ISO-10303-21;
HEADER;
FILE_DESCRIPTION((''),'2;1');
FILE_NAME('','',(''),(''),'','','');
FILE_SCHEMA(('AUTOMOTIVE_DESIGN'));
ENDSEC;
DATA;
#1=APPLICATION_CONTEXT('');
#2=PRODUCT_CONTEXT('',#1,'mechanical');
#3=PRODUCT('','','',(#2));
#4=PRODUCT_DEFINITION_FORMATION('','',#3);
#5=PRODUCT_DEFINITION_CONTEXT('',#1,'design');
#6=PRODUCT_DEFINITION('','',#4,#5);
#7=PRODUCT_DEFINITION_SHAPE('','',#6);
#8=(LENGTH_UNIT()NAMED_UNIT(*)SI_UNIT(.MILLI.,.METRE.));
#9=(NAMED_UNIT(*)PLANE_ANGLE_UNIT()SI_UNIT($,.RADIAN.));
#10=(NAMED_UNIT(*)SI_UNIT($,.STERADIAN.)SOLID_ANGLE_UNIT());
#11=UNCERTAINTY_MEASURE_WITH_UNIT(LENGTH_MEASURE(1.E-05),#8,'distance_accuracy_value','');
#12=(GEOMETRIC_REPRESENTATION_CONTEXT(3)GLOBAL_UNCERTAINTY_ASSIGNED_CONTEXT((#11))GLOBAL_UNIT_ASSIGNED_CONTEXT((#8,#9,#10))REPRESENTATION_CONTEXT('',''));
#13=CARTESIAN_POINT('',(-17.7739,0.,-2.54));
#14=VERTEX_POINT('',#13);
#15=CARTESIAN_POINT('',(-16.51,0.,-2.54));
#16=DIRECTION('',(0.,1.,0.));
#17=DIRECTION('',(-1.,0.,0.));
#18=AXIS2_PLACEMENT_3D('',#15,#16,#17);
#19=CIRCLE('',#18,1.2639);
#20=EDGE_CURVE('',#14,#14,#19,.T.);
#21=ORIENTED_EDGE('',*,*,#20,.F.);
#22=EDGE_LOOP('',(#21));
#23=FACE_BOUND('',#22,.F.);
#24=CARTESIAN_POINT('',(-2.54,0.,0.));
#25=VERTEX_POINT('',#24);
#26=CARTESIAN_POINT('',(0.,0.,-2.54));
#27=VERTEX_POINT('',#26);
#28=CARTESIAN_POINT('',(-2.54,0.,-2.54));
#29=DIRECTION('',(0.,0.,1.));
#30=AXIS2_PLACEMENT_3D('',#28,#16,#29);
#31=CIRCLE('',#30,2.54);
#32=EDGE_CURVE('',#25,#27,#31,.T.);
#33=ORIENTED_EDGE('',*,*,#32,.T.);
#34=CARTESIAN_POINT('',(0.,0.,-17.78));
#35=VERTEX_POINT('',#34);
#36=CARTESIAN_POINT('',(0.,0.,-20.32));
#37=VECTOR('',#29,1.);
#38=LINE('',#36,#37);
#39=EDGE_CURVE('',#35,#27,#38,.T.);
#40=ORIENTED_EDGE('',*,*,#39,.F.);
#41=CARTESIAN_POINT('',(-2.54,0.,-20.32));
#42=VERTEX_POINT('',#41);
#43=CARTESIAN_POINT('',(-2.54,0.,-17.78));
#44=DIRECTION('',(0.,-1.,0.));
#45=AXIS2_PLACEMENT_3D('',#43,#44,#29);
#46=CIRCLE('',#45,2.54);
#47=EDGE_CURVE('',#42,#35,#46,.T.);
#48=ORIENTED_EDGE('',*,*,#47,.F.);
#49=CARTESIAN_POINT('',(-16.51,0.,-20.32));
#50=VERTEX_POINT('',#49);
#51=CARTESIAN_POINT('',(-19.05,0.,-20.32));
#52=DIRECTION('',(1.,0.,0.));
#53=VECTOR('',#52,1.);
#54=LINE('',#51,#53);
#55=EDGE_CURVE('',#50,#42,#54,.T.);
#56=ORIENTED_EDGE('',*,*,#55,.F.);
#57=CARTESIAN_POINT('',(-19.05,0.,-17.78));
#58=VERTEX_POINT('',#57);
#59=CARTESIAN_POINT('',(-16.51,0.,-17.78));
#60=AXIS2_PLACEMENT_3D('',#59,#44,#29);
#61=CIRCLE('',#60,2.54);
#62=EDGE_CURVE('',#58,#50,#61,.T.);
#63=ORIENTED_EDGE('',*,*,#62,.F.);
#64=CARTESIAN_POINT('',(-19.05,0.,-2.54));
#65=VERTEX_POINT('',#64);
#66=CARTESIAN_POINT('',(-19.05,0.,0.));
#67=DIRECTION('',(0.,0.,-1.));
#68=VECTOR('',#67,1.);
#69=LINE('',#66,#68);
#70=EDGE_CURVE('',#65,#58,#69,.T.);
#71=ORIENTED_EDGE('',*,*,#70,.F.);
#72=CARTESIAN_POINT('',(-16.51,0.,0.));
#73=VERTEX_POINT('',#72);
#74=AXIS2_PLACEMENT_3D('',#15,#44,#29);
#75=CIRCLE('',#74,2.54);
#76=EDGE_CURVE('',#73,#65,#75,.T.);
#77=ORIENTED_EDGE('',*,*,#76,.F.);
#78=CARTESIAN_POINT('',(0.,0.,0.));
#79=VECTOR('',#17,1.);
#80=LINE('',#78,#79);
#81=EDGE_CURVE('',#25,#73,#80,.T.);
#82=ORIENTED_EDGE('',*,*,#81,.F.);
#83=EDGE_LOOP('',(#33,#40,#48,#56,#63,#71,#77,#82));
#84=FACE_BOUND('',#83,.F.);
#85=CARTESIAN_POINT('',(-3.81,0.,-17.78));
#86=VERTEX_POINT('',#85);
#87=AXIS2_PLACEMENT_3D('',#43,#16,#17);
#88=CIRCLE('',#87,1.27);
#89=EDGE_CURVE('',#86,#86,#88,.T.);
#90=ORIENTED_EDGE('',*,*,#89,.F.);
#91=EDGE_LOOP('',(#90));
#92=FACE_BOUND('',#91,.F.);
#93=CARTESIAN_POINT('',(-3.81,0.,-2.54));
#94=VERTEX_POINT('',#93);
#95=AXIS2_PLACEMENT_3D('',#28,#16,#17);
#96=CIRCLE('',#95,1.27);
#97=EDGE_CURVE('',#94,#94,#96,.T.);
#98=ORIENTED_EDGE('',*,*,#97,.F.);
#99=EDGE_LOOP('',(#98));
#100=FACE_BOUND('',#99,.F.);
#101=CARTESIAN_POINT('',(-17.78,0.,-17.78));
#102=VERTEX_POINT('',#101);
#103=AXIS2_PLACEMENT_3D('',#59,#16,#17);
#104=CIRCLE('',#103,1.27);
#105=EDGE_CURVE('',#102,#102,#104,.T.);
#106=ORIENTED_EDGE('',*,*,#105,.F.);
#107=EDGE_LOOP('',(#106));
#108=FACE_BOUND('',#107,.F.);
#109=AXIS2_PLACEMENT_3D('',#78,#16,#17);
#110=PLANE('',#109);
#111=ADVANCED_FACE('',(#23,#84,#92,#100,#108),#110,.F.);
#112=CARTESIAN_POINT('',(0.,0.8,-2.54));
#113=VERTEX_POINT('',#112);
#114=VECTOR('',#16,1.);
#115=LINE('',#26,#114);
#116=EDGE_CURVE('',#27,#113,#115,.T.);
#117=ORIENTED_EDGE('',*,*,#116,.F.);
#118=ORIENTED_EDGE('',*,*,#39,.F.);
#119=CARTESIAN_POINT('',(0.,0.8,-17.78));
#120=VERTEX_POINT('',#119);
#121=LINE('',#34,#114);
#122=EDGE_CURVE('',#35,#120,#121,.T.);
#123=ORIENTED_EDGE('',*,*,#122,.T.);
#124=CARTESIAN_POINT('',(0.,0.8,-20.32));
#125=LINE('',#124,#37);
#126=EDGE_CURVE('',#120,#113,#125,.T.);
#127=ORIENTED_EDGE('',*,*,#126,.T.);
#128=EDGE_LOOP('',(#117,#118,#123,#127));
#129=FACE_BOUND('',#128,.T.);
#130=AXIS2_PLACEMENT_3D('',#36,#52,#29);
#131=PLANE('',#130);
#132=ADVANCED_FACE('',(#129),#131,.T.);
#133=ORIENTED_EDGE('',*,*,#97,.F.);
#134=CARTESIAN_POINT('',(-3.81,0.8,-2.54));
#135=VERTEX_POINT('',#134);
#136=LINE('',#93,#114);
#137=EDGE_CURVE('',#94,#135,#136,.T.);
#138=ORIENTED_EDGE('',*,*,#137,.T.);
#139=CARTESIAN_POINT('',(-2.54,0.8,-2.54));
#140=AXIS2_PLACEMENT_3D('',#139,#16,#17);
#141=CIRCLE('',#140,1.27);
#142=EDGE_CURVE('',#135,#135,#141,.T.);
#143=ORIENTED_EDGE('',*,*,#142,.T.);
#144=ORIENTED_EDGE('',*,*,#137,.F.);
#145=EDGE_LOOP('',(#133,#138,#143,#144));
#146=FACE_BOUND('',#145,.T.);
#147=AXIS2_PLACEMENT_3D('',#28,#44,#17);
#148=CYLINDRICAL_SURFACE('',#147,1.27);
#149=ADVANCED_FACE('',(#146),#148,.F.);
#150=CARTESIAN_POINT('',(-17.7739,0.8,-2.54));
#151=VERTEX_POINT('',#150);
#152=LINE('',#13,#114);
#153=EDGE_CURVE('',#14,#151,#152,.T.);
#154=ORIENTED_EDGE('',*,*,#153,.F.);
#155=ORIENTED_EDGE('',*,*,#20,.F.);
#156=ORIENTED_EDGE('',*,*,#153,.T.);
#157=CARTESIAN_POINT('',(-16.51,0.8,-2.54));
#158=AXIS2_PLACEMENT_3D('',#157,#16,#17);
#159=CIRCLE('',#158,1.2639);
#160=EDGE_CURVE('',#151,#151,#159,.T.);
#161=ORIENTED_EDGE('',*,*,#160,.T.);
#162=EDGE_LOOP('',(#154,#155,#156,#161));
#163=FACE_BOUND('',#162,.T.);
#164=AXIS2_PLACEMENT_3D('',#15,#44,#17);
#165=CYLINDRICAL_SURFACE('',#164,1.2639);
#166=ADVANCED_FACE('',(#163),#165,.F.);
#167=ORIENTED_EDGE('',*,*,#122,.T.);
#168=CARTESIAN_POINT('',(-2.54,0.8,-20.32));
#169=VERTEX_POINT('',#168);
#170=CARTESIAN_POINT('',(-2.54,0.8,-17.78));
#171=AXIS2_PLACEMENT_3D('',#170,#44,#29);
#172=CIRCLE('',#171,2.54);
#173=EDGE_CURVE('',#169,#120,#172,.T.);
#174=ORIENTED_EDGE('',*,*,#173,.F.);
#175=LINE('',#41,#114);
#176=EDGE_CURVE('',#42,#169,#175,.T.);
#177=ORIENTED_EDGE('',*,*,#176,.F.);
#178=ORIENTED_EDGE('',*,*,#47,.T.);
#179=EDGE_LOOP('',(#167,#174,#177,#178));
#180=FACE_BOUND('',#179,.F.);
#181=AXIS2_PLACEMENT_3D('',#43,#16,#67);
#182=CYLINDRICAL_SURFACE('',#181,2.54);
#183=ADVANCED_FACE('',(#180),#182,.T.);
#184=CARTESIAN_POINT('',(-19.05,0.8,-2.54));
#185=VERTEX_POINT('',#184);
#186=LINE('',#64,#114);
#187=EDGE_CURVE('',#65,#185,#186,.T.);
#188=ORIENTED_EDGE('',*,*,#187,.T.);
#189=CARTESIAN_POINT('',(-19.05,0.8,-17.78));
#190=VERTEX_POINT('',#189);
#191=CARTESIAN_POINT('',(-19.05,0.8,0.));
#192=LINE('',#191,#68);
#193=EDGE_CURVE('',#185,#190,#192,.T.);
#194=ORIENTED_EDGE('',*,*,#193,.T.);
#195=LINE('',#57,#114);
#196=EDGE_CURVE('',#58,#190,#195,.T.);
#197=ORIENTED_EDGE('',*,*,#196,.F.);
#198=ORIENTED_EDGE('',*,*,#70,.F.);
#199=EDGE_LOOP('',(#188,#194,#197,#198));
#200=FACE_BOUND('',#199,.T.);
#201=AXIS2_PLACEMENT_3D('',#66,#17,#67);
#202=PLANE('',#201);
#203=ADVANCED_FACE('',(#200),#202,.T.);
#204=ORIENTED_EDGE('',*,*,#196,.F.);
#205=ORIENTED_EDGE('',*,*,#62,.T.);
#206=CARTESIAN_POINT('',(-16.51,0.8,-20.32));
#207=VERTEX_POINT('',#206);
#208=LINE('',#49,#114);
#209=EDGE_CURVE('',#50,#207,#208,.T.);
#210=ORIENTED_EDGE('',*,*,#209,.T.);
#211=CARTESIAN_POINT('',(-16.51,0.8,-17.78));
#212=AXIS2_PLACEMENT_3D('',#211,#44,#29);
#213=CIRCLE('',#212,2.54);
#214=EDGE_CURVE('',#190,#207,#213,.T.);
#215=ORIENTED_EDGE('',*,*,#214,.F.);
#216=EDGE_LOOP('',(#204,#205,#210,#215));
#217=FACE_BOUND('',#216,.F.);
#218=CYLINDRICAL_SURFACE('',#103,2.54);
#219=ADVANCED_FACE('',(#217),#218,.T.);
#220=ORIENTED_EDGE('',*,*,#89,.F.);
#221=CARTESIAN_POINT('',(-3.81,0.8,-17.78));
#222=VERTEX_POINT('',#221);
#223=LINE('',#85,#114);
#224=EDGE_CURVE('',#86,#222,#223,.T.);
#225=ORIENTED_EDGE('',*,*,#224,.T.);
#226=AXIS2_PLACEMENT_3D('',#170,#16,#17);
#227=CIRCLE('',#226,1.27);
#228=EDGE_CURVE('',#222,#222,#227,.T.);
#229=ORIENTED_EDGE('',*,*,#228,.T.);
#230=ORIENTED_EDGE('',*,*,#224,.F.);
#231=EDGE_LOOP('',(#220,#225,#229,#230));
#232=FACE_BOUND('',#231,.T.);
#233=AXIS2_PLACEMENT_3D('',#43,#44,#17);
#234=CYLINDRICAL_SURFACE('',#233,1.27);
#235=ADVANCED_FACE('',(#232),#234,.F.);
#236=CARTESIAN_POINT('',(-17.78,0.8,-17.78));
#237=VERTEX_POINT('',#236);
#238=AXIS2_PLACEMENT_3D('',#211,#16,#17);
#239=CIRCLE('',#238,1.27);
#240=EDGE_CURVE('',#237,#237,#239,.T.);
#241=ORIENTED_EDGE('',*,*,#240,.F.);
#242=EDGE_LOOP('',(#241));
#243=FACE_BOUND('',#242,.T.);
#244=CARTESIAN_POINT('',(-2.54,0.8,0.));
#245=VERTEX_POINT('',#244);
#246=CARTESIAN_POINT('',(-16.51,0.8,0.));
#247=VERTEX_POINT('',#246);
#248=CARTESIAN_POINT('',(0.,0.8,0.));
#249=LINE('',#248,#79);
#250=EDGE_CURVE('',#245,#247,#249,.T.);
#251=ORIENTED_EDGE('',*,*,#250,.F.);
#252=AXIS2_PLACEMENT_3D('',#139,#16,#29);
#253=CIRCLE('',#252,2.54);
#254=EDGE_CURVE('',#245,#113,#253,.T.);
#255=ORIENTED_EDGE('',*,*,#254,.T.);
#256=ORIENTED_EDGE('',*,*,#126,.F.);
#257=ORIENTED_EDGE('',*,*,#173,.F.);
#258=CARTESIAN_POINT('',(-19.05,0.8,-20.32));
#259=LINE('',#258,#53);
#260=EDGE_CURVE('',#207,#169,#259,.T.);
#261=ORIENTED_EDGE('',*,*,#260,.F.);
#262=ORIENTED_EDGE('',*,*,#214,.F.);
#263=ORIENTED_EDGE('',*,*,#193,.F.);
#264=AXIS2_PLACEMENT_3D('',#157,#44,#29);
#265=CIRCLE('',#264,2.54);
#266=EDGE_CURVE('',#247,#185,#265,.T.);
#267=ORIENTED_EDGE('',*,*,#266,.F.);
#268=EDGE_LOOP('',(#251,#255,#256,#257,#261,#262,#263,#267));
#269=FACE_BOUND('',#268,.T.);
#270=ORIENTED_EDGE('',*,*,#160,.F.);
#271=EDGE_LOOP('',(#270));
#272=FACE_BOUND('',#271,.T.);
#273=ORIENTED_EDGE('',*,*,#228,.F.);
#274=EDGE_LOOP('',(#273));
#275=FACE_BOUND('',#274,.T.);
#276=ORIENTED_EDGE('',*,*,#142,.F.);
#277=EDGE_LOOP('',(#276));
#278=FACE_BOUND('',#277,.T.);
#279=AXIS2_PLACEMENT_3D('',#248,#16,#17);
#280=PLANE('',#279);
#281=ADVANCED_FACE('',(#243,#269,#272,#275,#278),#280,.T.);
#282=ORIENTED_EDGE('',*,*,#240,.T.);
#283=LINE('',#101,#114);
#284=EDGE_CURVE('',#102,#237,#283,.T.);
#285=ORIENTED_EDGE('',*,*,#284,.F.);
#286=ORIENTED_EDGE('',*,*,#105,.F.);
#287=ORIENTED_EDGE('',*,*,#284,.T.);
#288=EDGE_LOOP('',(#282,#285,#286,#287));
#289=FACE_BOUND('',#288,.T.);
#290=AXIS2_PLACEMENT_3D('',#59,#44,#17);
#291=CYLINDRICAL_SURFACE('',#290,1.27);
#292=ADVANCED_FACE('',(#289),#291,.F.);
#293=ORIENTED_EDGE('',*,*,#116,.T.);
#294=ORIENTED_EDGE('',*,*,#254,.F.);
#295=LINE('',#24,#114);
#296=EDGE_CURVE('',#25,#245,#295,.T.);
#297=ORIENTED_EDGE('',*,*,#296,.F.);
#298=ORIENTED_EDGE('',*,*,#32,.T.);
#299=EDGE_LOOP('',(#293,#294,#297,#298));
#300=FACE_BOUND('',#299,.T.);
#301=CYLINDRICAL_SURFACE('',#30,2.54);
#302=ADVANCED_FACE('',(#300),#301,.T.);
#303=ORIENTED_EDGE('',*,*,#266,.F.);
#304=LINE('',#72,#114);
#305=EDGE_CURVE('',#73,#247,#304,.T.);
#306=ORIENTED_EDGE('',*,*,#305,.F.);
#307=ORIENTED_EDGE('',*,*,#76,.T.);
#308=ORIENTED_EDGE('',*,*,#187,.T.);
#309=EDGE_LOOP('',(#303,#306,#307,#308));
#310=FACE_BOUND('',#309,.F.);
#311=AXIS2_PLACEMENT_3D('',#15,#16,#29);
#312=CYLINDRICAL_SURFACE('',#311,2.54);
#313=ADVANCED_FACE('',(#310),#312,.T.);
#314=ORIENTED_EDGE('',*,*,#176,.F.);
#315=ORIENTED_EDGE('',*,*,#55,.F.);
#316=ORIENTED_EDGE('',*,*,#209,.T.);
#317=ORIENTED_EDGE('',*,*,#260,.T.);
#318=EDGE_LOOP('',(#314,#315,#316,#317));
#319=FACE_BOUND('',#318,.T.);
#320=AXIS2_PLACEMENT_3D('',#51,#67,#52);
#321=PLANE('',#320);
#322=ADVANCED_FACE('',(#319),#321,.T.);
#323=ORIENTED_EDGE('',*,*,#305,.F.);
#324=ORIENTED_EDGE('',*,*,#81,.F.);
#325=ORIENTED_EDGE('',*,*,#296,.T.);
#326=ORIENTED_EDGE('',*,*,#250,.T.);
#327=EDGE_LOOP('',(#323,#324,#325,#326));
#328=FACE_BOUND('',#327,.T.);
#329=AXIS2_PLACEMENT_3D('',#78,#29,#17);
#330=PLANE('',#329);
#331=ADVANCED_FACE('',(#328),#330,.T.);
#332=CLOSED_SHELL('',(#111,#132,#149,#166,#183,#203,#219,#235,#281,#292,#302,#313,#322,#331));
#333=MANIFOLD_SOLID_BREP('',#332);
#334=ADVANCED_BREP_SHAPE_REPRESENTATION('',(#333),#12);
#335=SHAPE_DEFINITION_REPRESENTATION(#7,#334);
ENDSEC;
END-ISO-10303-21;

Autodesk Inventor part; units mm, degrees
ref_plane "YZ Plane" through (0, 0, 0) normal (1, 0, 0) x (0, 1, 0)
ref_plane "XZ Plane" through (0, 0, 0) normal (0, 1, 0) x (-1, 0, 0)
ref_plane "XY Plane" through (0, 0, 0) normal (0, 0, 1) x (1, 0, 0)
sketch "Sketch1" plane through (0, 0, 0) normal (0, 1, 0) x (-1, 0, 0)
  line L0 (0, 0) -> (19.05, 0)
  line L1 (19.05, 0) -> (19.05, -20.32)
  line L2 (19.05, -20.32) -> (0, -20.32)
  line L3 (0, -20.32) -> (0, 0)
  circle A0 centre (16.51, -2.54) radius 1.2639
  circle A1 centre (16.51, -17.78) radius 1.27
  circle A2 centre (2.54, -17.78) radius 1.27
  circle A3 centre (2.54, -2.54) radius 1.27
  dimension "d0" = 20.32
  dimension "d1" = 19.05
  dimension "d2" = 15.24
  dimension "d3" = 2.54
  dimension "d4" = 15.24
  dimension "d5" = 13.97
  dimension "d6" = 2.54
  dimension "d7" = 13.97
  dimension "d8" = 2.54
  dimension "d9" = 2.54
  dimension "d10" = 2.54
  dimension "d11" = 2.54
  dimension "d12" = 2.54
  dimension "d13" = 2.54
extrude "Extrusion1" add sketch "Sketch1" along normal blind 0.8
fillet "Fillet1" radius 2.54 4 edges at (0, 0.4, 0) (0, 0.4, -20.32) (-19.05, 0.4, -20.32) (-19.05, 0.4, 0)
equation "\"d7\" = d5"
equation "\"d9\" = d8"
properties part number "micro lipo footprint"
